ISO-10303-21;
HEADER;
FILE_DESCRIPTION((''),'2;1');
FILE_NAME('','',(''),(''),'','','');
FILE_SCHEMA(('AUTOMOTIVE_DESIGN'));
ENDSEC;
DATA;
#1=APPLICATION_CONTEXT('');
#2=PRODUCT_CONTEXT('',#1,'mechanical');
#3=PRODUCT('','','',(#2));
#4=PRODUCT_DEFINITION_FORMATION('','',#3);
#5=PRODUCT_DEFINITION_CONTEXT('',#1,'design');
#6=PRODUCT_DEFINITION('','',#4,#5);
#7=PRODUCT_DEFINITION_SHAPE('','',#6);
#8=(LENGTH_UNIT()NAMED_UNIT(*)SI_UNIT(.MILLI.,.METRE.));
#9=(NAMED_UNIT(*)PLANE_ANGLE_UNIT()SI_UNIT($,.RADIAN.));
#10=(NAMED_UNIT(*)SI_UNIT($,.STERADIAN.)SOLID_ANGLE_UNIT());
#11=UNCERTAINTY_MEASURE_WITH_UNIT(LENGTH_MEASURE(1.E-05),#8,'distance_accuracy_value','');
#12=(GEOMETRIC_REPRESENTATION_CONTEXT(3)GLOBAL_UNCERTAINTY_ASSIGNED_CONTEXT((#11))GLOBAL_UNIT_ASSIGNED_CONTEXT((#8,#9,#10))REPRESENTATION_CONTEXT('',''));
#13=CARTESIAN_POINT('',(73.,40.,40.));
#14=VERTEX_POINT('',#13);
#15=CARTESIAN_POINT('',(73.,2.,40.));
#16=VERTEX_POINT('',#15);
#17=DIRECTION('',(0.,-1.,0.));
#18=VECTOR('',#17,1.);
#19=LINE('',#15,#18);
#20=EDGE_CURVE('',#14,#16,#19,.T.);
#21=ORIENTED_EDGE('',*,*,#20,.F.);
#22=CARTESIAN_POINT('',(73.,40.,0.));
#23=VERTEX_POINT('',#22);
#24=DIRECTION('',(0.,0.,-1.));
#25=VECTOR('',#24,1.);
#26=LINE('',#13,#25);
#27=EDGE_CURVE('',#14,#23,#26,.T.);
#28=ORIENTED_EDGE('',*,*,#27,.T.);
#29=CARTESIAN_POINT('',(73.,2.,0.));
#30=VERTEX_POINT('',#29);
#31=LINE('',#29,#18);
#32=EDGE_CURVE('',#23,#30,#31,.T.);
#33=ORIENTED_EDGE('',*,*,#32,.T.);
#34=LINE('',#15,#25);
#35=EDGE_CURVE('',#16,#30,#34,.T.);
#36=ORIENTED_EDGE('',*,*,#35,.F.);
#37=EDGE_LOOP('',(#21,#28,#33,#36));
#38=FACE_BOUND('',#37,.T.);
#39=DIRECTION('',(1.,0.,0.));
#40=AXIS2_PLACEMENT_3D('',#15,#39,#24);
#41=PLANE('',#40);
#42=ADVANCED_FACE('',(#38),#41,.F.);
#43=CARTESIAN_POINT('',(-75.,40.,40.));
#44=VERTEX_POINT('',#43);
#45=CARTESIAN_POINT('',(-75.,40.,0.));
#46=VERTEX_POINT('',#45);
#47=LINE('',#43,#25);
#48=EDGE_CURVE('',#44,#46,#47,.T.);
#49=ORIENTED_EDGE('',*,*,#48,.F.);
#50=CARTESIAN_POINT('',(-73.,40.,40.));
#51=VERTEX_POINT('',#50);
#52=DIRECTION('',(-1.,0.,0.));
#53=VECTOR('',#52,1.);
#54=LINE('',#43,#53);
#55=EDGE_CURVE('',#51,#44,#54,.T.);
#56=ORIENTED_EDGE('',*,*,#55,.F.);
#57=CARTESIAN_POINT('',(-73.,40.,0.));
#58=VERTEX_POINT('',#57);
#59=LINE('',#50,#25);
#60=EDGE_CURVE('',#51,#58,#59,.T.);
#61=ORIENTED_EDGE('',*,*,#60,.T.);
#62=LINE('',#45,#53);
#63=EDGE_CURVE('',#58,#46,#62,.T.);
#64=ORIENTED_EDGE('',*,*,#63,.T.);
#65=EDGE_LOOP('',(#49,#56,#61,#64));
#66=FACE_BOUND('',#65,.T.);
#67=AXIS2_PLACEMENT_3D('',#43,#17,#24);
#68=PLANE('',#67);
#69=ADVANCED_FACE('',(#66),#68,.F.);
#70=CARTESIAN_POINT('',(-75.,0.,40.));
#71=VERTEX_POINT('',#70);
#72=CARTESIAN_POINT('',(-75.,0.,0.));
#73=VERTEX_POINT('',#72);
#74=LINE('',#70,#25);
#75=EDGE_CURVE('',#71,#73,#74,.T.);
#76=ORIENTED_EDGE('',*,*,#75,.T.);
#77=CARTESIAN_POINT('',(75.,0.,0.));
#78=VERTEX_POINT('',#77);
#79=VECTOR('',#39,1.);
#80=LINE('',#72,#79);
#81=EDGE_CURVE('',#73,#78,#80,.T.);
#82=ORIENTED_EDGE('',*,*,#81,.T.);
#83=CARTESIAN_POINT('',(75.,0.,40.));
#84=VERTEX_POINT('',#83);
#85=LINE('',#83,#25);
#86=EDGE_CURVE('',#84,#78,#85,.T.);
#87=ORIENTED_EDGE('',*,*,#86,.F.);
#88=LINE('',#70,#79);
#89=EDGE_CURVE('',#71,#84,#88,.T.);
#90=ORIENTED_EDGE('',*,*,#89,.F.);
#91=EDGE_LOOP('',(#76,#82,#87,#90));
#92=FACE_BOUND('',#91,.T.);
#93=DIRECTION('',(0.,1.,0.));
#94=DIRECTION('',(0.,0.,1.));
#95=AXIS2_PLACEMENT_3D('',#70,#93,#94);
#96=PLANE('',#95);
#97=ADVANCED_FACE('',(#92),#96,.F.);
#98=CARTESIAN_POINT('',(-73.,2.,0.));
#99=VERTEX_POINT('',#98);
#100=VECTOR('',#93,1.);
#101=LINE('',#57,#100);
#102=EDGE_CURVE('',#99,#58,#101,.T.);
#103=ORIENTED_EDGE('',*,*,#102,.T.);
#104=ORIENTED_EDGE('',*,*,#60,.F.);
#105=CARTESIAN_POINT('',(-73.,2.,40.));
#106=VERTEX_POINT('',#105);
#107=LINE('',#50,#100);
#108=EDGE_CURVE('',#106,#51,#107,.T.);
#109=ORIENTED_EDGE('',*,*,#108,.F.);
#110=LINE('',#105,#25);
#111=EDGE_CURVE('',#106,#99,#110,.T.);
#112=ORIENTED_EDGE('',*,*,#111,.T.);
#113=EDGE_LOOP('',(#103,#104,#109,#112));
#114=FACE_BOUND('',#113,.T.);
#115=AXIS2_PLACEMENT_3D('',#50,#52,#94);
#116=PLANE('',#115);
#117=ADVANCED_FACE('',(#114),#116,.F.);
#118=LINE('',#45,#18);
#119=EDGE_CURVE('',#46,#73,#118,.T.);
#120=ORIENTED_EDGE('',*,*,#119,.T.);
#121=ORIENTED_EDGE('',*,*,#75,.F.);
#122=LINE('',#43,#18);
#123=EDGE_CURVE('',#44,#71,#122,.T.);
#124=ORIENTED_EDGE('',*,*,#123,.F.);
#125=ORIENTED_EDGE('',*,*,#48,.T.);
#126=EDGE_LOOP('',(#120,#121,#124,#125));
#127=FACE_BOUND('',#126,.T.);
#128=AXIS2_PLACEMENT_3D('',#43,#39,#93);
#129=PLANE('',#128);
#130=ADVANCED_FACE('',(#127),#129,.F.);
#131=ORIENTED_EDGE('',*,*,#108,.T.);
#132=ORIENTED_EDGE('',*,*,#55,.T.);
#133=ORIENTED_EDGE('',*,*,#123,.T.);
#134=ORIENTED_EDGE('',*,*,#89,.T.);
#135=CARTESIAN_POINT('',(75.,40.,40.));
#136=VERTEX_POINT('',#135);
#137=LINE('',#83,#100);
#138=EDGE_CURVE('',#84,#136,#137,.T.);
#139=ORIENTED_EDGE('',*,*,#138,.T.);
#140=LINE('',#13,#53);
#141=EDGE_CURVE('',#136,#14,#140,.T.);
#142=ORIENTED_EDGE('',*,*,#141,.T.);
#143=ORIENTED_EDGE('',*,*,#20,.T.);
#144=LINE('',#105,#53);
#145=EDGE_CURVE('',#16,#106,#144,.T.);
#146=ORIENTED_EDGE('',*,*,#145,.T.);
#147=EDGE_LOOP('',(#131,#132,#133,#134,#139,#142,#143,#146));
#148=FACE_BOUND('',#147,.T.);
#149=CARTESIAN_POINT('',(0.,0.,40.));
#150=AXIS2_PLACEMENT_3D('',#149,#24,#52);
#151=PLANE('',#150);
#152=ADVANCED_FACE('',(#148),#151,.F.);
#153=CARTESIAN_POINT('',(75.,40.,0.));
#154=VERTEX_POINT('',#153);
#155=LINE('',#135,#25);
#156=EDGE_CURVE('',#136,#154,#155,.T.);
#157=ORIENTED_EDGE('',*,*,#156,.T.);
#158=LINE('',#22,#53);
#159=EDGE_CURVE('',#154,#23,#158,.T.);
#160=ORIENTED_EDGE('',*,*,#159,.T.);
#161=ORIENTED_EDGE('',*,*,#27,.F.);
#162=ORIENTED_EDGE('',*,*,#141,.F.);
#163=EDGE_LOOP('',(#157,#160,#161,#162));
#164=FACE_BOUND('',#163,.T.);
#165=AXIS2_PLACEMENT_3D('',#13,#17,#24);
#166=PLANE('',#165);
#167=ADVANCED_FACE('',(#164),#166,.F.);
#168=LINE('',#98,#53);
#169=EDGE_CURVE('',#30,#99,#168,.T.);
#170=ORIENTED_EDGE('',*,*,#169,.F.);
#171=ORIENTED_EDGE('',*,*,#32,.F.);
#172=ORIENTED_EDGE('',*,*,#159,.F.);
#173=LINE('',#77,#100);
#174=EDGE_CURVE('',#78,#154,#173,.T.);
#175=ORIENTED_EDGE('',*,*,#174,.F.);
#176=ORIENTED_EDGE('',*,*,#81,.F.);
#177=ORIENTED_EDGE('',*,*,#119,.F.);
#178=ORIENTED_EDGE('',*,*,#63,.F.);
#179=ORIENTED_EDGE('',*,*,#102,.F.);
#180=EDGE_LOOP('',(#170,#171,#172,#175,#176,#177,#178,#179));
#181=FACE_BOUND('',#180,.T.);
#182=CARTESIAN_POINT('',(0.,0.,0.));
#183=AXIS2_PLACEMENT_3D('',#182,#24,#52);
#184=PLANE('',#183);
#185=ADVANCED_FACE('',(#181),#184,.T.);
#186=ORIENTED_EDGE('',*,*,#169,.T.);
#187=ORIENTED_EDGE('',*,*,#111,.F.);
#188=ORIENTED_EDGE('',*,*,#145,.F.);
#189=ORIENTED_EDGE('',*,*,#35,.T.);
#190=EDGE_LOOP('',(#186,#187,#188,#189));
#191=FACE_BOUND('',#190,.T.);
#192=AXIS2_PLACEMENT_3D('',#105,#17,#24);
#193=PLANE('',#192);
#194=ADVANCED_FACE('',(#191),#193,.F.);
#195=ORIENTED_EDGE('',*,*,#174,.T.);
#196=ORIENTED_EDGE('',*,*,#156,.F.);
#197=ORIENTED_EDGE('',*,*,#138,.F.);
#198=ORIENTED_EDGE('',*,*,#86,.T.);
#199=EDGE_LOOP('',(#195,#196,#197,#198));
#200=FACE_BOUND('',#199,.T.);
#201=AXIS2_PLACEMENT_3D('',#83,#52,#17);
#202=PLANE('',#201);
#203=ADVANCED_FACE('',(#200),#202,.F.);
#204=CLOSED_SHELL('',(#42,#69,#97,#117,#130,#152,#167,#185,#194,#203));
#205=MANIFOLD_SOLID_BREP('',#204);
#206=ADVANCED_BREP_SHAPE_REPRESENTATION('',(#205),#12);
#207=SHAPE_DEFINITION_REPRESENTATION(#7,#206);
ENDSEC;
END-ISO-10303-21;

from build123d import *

# Parameters (mm, degrees)
BOSS_EXTRUDE1_DEPTH = 40


with BuildPart() as part:
    # Sketch1 → Boss-Extrude1 (new body)
    with BuildSketch(Plane.XY):
        Polygon((-75, 40), (-75, 0), (75, 0), (75, 40), (73, 40), (73, 2), (-73, 2), (-73, 40), align=None)
    extrude(amount=BOSS_EXTRUDE1_DEPTH)


solid = part.part
